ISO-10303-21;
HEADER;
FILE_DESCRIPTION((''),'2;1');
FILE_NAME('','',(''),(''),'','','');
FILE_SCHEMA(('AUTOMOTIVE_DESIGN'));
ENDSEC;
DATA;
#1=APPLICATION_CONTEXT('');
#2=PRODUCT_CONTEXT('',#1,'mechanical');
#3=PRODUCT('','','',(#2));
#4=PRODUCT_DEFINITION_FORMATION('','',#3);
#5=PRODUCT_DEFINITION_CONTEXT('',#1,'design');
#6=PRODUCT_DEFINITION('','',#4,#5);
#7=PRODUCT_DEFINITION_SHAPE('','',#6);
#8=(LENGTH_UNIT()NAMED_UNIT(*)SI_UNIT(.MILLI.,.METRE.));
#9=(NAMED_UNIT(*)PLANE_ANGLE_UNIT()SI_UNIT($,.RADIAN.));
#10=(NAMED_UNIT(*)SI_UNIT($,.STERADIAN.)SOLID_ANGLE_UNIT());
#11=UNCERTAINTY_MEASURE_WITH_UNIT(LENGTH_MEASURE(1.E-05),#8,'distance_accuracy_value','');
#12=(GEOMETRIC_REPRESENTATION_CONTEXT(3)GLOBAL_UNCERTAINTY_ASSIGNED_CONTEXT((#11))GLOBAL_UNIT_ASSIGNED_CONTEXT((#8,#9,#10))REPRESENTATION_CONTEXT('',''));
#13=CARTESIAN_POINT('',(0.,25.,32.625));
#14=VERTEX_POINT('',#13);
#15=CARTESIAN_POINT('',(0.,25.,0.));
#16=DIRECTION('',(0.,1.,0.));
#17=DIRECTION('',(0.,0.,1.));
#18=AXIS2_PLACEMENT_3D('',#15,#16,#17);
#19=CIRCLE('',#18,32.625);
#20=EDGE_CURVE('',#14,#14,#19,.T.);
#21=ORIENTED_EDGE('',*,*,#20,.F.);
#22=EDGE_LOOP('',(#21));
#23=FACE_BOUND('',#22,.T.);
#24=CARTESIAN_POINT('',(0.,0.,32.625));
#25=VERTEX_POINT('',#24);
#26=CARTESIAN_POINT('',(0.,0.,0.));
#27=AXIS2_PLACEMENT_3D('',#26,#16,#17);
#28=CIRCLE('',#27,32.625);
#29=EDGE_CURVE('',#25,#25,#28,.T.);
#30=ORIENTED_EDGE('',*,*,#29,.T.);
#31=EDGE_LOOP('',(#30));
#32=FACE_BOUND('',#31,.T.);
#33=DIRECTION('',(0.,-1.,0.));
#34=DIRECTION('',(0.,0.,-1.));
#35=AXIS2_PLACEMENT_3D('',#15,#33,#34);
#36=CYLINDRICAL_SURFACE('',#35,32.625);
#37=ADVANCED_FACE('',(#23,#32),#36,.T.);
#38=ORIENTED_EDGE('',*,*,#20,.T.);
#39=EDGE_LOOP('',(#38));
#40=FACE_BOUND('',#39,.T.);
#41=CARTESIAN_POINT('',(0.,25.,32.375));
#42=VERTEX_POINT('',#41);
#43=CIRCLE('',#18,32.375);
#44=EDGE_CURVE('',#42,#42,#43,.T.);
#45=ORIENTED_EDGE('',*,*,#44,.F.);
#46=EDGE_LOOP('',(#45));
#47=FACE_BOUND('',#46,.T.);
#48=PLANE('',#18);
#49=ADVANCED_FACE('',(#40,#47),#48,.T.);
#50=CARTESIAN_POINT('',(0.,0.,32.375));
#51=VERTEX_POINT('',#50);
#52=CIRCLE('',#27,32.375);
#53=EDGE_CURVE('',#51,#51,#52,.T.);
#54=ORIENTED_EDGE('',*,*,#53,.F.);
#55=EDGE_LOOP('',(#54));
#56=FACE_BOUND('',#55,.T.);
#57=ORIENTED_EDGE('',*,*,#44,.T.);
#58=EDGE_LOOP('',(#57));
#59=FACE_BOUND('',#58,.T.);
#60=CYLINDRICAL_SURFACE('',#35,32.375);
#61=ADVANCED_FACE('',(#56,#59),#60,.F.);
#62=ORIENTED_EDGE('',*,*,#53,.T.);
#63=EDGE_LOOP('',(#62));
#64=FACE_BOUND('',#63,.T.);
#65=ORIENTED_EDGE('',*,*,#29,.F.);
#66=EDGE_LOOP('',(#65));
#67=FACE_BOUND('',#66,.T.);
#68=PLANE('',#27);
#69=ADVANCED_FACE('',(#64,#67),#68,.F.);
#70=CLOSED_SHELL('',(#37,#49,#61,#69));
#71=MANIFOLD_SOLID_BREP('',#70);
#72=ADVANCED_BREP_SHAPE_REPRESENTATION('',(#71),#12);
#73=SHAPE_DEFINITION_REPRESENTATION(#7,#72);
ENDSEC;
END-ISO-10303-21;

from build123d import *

# Parameters (mm, degrees)
ESQUISSE1_R      = 32.625
ESQUISSE1_R_2    = 32.375
EXTRUSION1_DEPTH = 25


with BuildPart() as part:
    # Esquisse1 → Extrusion1 (new body)
    with BuildSketch(Plane(origin=(0, 0, 0), x_dir=(1, 0, 0), z_dir=(0, 1, 0))):
        with Locations(Location((0, 0, 0), (0, 0, 270))):
            Circle(ESQUISSE1_R)
        with Locations(Location((0, 0, 0), (0, 0, 270))):
            Circle(ESQUISSE1_R_2, mode=Mode.SUBTRACT)
    extrude(amount=EXTRUSION1_DEPTH)


solid = part.part
